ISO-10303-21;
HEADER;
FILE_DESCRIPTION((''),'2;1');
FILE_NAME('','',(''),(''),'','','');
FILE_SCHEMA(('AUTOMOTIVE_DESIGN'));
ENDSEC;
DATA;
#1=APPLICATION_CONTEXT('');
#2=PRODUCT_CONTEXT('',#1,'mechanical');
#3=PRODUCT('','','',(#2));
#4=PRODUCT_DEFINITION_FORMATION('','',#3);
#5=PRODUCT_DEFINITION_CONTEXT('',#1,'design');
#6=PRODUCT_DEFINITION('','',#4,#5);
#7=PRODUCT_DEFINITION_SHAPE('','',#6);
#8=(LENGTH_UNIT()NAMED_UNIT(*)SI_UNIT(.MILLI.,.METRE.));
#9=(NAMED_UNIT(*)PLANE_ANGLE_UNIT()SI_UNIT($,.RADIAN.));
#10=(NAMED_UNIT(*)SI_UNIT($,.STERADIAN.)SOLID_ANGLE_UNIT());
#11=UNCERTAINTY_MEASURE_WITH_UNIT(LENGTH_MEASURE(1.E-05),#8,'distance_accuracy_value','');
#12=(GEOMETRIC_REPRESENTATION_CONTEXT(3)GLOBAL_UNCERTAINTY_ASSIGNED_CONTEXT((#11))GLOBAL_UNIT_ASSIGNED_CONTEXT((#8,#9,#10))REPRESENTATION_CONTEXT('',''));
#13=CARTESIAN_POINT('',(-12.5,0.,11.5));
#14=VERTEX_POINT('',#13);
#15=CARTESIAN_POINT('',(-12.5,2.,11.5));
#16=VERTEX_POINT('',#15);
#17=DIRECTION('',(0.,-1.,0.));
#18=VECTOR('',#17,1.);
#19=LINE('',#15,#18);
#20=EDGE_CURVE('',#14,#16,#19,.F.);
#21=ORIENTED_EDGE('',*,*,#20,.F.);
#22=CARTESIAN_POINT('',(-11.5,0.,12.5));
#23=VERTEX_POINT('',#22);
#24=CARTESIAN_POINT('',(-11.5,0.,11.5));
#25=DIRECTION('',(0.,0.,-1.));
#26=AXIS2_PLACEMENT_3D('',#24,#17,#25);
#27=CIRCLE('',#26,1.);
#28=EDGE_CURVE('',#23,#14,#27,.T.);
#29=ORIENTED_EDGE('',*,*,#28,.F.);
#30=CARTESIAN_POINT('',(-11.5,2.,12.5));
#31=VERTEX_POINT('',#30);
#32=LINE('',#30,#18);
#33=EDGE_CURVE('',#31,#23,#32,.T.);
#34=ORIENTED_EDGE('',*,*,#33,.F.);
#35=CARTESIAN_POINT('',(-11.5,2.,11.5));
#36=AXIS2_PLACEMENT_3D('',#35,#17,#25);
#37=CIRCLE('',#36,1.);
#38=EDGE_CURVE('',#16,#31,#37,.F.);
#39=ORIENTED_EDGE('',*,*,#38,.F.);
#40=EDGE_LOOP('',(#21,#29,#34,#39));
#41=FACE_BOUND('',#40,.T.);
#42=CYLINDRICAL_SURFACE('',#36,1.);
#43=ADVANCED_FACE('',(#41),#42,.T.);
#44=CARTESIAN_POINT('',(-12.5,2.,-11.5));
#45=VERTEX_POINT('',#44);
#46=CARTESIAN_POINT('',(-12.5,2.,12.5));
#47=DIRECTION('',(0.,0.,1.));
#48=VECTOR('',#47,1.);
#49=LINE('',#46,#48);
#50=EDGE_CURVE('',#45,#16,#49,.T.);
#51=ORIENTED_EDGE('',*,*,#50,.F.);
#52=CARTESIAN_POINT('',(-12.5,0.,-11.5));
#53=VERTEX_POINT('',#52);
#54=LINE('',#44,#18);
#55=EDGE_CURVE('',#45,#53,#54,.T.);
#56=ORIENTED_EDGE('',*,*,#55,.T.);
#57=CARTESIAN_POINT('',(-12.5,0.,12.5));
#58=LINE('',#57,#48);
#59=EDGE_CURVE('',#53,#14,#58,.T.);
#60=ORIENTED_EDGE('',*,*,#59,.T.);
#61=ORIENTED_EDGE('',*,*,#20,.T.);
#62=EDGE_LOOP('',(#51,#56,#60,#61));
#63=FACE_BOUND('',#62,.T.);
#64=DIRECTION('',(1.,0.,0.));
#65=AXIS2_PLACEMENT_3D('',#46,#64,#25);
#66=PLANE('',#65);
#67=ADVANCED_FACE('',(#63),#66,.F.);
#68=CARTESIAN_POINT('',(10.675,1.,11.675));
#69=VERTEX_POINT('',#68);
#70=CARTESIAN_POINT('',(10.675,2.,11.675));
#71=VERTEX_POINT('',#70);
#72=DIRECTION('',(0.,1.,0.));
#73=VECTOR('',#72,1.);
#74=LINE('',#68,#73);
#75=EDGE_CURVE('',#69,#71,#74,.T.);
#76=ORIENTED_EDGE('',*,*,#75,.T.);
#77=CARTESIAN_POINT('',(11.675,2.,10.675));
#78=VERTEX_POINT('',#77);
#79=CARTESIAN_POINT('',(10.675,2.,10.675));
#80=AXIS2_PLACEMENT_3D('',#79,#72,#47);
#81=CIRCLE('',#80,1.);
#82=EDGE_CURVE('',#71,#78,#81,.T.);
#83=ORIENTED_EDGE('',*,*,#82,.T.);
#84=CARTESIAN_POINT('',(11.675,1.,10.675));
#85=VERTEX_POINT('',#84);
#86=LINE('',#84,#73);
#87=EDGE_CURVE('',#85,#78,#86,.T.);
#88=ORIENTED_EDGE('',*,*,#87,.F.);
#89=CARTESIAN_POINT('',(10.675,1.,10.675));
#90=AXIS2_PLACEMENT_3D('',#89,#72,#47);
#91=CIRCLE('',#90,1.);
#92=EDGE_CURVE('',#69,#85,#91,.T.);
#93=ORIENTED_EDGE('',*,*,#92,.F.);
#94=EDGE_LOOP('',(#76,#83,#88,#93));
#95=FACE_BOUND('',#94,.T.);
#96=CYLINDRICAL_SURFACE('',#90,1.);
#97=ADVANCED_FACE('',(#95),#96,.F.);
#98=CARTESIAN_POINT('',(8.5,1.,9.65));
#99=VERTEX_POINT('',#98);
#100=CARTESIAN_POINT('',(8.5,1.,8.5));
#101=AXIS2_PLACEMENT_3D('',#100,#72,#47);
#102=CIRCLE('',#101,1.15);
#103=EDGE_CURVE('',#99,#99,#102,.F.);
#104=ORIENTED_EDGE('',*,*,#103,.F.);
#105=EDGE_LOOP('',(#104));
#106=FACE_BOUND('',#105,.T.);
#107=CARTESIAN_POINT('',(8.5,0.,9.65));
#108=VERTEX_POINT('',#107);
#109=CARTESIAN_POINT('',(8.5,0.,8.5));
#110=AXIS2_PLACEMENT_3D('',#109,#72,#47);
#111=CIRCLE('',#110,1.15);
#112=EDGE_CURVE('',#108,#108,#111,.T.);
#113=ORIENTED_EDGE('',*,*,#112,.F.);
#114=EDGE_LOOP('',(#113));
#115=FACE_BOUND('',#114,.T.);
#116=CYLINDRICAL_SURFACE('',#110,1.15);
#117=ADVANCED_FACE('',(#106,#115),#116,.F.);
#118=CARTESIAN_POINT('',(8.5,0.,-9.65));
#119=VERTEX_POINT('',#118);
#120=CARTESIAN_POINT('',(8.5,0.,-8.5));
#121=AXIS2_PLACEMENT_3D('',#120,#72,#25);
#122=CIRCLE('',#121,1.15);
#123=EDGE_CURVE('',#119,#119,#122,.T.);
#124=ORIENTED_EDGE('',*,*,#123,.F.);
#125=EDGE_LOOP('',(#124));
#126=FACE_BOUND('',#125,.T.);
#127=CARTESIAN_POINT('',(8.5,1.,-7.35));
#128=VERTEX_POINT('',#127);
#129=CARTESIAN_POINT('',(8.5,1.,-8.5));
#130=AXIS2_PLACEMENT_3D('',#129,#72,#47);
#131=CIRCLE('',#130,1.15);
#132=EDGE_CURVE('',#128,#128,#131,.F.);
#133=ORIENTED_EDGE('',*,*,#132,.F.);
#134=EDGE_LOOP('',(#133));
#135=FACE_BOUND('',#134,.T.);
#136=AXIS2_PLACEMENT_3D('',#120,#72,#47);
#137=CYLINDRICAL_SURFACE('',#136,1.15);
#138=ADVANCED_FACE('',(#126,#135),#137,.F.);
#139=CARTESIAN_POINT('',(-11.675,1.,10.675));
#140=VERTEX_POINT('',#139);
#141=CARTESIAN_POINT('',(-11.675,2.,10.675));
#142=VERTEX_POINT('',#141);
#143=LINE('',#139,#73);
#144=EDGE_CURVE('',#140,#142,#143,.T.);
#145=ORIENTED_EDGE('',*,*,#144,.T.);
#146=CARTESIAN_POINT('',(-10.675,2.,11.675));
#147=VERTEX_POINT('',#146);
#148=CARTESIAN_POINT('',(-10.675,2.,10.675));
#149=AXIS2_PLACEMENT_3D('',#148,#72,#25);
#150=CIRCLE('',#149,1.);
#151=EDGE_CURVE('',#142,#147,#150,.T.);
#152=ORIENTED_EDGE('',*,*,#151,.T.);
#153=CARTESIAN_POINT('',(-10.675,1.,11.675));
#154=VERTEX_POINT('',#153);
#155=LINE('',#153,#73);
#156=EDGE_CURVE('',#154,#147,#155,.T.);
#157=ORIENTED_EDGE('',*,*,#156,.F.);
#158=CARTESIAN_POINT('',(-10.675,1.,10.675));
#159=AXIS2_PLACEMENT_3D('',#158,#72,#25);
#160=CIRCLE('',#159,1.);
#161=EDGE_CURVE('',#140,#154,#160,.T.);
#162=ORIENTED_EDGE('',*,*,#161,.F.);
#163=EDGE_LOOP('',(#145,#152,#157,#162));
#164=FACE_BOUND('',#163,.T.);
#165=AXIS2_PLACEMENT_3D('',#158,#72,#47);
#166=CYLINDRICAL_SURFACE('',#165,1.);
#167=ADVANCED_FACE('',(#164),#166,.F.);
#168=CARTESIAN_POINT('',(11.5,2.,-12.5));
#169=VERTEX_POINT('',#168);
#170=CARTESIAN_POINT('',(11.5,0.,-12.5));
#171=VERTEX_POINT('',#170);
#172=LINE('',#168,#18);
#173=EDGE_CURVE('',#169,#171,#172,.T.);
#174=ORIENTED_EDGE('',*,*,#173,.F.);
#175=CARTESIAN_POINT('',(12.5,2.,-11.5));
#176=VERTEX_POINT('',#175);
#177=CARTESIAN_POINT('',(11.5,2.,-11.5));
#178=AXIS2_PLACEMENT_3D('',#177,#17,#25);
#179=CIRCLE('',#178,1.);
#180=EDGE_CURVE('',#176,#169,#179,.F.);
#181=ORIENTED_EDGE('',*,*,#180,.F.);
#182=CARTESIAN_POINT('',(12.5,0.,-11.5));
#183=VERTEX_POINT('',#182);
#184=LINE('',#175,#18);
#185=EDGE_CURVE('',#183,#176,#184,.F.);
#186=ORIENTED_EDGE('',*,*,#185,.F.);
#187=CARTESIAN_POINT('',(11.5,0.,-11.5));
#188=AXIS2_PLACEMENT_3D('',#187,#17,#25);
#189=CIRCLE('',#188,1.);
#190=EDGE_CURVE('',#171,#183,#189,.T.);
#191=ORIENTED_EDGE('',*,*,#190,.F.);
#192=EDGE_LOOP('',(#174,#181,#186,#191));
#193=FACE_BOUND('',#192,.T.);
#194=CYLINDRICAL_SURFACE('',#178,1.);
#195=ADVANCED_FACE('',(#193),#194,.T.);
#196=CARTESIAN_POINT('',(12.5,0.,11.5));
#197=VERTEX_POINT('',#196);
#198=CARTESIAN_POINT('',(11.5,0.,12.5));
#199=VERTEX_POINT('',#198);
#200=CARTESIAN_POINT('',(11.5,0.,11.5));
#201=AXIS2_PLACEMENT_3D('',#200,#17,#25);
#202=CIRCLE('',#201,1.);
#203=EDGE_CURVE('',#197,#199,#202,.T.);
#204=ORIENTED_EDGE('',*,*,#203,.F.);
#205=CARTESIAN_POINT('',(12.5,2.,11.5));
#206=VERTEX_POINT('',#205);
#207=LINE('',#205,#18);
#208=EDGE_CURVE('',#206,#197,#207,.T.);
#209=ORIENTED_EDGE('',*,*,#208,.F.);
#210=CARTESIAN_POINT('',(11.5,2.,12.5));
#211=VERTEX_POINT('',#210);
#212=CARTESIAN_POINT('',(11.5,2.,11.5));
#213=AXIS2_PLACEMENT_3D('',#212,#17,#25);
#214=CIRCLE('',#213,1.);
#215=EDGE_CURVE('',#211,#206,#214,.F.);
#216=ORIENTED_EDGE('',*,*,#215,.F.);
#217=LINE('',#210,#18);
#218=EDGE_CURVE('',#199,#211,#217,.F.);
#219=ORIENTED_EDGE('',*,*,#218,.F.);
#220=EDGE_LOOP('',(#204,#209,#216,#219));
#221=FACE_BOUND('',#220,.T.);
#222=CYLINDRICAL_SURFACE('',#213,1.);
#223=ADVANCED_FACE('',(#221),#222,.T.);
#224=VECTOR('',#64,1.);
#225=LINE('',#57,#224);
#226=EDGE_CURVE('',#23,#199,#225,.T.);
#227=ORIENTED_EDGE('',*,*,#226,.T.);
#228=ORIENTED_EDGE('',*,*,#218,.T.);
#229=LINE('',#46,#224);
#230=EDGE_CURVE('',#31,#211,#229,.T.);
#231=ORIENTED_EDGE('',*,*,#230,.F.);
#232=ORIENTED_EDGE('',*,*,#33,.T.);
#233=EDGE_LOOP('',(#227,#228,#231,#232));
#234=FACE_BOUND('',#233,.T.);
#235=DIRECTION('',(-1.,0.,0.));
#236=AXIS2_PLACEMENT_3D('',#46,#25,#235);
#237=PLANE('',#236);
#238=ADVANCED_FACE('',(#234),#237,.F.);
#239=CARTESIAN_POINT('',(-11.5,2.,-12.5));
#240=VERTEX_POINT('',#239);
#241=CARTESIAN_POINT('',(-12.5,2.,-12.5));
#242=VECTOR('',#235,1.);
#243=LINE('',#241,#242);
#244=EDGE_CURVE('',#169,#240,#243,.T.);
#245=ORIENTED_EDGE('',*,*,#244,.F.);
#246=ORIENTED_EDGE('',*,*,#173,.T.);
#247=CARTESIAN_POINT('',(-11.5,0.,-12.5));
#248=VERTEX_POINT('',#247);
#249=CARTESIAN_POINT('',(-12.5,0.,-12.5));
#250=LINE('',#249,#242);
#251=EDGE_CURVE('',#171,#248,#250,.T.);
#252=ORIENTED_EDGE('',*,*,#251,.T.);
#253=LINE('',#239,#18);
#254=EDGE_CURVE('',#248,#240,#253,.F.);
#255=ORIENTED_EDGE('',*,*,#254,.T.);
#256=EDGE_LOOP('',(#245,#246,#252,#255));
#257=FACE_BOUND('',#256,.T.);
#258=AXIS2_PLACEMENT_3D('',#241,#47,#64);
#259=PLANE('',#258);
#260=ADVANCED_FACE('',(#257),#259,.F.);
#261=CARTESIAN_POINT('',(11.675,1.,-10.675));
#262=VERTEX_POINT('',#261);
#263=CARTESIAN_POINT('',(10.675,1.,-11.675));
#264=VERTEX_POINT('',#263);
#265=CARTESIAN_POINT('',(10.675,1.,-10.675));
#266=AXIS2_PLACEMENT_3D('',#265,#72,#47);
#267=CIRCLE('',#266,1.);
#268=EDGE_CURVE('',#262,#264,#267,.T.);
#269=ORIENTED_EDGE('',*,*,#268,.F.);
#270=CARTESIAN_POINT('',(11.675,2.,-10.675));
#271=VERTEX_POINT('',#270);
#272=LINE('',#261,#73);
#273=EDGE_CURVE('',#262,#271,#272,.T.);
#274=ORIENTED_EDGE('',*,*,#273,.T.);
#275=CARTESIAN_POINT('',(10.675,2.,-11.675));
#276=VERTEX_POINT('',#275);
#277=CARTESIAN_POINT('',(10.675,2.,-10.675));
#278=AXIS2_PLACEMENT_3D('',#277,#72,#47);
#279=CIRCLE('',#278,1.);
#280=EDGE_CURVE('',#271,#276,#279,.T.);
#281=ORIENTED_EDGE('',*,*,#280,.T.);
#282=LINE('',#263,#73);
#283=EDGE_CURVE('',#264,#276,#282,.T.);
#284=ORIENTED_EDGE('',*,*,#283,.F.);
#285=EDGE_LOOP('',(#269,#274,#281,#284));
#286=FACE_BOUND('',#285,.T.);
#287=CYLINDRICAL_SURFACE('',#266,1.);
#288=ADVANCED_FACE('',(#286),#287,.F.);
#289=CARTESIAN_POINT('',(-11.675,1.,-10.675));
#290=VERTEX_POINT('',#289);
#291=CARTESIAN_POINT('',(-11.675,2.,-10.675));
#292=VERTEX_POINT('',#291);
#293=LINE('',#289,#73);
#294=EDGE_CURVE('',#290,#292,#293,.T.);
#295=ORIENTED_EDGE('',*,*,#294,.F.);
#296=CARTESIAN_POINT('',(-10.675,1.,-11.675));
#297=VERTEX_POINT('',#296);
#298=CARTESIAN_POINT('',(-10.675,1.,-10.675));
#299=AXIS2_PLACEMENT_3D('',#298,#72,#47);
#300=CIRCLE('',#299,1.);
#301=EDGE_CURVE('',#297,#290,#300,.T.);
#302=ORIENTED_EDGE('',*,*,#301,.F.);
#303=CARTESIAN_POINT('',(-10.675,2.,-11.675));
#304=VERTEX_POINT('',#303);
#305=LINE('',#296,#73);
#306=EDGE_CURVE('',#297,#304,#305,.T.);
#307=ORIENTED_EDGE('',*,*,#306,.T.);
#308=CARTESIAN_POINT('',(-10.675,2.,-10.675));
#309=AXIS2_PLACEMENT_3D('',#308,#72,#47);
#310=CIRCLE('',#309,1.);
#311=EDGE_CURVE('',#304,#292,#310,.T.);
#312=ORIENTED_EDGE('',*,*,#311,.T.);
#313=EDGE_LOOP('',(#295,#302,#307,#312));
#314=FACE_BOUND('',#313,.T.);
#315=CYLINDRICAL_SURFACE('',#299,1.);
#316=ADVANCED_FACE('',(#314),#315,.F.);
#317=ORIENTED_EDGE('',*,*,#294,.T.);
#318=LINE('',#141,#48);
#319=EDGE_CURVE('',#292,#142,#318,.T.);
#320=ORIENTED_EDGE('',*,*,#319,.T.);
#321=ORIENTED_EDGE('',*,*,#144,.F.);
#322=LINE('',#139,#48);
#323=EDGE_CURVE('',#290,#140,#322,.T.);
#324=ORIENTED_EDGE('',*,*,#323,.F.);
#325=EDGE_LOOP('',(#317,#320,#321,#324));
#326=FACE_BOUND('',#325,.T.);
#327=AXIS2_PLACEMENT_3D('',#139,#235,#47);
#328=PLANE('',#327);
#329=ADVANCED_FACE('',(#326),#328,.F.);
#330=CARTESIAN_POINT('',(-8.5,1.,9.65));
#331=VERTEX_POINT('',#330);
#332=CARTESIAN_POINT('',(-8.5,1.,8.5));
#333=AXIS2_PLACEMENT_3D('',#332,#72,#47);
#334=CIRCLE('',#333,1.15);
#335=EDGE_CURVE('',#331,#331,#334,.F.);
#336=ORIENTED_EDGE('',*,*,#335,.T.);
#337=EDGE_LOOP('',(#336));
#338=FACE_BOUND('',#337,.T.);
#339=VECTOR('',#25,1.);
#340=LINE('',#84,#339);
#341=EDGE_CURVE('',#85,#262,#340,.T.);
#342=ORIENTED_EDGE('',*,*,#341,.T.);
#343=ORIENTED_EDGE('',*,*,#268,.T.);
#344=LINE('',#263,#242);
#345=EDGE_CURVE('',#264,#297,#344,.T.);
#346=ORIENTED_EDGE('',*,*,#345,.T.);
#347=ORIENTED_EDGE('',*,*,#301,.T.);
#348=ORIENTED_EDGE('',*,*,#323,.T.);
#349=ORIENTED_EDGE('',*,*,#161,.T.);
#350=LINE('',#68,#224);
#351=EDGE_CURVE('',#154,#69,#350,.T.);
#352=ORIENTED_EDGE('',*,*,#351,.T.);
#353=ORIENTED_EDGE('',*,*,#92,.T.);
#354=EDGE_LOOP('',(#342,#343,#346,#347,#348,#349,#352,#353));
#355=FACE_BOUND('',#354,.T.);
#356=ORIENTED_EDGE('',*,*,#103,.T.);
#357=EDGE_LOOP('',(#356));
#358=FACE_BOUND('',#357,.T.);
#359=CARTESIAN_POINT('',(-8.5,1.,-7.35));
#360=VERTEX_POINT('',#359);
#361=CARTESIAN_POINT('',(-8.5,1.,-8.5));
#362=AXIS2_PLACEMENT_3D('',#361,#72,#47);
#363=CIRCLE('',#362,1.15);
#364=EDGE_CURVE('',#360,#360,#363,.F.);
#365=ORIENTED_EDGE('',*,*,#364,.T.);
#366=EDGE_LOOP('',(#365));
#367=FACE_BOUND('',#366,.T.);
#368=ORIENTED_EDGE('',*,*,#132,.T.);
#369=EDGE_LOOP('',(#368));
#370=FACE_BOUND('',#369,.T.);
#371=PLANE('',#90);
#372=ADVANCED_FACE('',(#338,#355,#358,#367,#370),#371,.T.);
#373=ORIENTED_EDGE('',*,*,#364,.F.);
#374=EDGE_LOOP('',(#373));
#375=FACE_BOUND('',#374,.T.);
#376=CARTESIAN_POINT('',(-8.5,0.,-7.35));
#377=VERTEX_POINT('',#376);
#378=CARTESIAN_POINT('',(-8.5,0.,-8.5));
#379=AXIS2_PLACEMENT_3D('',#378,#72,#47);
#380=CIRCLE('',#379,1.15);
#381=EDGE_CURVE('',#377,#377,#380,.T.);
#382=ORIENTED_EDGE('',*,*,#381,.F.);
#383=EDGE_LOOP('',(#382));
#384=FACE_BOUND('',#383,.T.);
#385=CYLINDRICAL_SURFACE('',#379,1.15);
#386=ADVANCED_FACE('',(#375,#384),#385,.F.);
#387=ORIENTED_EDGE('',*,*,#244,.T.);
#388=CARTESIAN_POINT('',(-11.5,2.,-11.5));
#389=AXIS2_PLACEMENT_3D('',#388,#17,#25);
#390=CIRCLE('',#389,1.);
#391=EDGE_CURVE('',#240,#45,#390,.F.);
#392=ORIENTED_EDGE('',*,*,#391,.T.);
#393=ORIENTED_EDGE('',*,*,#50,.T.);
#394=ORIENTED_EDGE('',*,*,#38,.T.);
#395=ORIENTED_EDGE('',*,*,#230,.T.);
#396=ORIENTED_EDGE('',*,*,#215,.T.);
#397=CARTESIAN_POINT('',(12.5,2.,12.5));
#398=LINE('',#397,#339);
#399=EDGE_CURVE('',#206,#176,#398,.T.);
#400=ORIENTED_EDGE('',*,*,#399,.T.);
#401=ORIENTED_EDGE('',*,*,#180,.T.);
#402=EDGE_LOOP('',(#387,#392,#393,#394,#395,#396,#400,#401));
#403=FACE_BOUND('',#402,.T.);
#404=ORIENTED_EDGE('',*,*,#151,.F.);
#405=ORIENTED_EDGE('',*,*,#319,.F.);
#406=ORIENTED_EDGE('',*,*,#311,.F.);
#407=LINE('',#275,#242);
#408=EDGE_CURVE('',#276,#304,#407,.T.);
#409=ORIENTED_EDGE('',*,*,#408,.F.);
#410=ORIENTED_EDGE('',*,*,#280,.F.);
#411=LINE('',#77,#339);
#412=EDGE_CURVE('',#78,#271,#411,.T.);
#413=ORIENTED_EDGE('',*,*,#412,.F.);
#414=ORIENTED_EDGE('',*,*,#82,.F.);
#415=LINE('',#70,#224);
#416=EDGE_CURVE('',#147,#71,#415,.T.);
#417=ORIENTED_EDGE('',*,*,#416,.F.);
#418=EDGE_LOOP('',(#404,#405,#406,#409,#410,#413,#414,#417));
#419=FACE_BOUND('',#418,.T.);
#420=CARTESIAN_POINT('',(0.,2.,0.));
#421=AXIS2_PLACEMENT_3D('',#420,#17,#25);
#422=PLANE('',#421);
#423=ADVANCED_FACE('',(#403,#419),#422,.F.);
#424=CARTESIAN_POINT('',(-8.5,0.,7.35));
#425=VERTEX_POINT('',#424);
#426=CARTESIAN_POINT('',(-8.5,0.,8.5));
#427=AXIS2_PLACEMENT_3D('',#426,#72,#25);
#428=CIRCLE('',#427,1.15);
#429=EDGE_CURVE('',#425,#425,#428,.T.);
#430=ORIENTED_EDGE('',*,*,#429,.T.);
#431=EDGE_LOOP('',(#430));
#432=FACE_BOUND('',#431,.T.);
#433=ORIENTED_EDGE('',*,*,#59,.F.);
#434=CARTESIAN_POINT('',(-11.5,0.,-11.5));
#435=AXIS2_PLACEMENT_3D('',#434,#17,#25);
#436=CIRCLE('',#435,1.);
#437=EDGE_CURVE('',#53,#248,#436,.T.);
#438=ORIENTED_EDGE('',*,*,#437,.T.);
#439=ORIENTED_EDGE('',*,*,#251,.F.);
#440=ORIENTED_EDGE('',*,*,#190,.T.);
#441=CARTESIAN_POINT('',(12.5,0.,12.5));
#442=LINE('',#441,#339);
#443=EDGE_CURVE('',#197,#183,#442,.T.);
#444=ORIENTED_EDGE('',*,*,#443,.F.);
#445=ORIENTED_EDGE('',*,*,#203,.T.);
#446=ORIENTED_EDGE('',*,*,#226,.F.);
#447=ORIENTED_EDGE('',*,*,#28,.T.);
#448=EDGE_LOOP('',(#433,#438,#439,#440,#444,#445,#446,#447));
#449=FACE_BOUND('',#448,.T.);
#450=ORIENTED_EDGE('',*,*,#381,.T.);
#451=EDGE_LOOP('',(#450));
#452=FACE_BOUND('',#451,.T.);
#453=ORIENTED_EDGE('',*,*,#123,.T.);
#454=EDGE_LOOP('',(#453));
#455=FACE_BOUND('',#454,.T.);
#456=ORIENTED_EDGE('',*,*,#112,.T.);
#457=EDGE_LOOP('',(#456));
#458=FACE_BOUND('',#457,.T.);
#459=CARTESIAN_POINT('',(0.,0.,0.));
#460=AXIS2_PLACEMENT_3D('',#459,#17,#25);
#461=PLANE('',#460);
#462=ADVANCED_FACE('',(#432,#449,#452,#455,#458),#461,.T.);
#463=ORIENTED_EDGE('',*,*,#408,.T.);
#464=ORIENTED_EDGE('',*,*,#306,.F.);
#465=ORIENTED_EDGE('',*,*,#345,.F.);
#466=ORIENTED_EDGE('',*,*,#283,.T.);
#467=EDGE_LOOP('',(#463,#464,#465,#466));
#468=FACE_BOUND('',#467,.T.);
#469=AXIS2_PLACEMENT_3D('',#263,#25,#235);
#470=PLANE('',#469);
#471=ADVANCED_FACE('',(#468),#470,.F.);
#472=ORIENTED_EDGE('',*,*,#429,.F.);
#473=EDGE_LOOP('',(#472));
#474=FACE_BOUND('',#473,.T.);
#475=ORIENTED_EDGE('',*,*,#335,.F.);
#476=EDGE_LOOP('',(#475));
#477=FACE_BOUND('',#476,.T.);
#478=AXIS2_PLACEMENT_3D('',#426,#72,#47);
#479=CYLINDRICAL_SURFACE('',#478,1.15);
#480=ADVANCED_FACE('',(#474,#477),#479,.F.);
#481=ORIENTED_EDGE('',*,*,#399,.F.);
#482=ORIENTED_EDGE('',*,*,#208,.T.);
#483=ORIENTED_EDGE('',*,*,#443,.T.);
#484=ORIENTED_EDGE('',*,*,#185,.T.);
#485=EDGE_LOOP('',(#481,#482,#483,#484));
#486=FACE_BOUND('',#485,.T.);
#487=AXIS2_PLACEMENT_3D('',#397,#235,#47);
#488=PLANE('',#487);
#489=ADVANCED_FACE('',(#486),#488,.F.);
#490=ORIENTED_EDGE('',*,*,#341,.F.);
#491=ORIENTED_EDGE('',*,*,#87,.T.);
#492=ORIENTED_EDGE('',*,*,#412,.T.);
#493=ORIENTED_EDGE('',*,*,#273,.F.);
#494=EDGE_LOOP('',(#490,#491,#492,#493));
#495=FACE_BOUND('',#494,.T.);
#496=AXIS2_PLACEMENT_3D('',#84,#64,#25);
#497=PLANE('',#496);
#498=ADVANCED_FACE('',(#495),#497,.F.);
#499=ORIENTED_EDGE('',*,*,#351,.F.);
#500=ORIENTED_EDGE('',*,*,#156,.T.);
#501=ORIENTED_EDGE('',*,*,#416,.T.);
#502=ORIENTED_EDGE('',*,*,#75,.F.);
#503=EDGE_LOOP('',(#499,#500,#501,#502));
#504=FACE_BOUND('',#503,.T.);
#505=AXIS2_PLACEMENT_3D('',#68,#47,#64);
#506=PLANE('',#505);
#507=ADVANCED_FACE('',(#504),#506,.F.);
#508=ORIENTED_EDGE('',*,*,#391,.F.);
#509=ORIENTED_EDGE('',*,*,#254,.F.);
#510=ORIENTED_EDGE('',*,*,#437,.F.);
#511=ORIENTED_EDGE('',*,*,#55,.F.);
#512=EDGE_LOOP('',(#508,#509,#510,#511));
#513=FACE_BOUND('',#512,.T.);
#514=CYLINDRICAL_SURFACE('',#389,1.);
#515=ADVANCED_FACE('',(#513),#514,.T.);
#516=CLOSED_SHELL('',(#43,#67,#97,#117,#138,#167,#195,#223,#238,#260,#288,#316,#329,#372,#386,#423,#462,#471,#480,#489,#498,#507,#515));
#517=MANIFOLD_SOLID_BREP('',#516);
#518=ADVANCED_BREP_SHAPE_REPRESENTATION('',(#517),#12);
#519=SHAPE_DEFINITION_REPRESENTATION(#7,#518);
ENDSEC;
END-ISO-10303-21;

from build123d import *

# Parameters (mm, degrees)
SKETCH1_W           = 25
SKETCH1_H           = 25
BOSS_EXTRUDE1_DEPTH = 2
SKETCH2_R           = 1.15
CUT_EXTRUDE1_DEPTH  = 2
CUT_EXTRUDE2_DEPTH  = 1
FILLET1_R           = 1


with BuildPart() as part:
    # Sketch1 → Boss-Extrude1 (new body)
    with BuildSketch(Plane(origin=(0, 0, 0), x_dir=(1, 0, 0), z_dir=(0, 1, 0))):
        Rectangle(SKETCH1_W, SKETCH1_H)
    extrude(amount=BOSS_EXTRUDE1_DEPTH)

    # Sketch2 → Cut-Extrude1 (cut)
    with BuildSketch(Plane(origin=(0, 2, 0), x_dir=(1, 0, 0), z_dir=(0, 1, 0))):
        with Locations(Location((-8.5, 8.5, 0), (0, 0, 270))):
            Circle(SKETCH2_R)
        with Locations(Location((-8.5, -8.5, 0), (0, 0, 90))):
            Circle(SKETCH2_R)
        with Locations(Location((8.5, -8.5, 0), (0, 0, 270))):
            Circle(SKETCH2_R)
        with Locations(Location((8.5, 8.5, 0), (0, 0, 90))):
            Circle(SKETCH2_R)
    extrude(amount=-CUT_EXTRUDE1_DEPTH, mode=Mode.SUBTRACT)

    # Sketch3 → Cut-Extrude2 (cut)
    with BuildSketch(Plane(origin=(0, 2, 0), x_dir=(1, 0, 0), z_dir=(0, 1, 0))):
        with BuildLine():
            Line((10.675, -11.675), (-10.675, -11.675))
            ThreePointArc((-10.675, -11.675), (-11.382106781, -11.382106781), (-11.675, -10.675))
            Line((-11.675, -10.675), (-11.675, 10.675))
            ThreePointArc((-11.675, 10.675), (-11.382106781, 11.382106781), (-10.675, 11.675))
            Line((-10.675, 11.675), (10.675, 11.675))
            ThreePointArc((10.675, 11.675), (11.382106781, 11.382106781), (11.675, 10.675))
            Line((11.675, 10.675), (11.675, -10.675))
            ThreePointArc((11.675, -10.675), (11.382106781, -11.382106781), (10.675, -11.675))
        make_face()
    extrude(amount=-CUT_EXTRUDE2_DEPTH, mode=Mode.SUBTRACT)

    # Fillet1
    fillet1_edges = [part.edges().sort_by_distance(p)[0] for p in [
        (12.5, 1, 12.5),
        (-12.5, 1, 12.5),
        (-12.5, 1, -12.5),
        (12.5, 1, -12.5),
    ]]
    fillet(fillet1_edges, radius=FILLET1_R)


solid = part.part
